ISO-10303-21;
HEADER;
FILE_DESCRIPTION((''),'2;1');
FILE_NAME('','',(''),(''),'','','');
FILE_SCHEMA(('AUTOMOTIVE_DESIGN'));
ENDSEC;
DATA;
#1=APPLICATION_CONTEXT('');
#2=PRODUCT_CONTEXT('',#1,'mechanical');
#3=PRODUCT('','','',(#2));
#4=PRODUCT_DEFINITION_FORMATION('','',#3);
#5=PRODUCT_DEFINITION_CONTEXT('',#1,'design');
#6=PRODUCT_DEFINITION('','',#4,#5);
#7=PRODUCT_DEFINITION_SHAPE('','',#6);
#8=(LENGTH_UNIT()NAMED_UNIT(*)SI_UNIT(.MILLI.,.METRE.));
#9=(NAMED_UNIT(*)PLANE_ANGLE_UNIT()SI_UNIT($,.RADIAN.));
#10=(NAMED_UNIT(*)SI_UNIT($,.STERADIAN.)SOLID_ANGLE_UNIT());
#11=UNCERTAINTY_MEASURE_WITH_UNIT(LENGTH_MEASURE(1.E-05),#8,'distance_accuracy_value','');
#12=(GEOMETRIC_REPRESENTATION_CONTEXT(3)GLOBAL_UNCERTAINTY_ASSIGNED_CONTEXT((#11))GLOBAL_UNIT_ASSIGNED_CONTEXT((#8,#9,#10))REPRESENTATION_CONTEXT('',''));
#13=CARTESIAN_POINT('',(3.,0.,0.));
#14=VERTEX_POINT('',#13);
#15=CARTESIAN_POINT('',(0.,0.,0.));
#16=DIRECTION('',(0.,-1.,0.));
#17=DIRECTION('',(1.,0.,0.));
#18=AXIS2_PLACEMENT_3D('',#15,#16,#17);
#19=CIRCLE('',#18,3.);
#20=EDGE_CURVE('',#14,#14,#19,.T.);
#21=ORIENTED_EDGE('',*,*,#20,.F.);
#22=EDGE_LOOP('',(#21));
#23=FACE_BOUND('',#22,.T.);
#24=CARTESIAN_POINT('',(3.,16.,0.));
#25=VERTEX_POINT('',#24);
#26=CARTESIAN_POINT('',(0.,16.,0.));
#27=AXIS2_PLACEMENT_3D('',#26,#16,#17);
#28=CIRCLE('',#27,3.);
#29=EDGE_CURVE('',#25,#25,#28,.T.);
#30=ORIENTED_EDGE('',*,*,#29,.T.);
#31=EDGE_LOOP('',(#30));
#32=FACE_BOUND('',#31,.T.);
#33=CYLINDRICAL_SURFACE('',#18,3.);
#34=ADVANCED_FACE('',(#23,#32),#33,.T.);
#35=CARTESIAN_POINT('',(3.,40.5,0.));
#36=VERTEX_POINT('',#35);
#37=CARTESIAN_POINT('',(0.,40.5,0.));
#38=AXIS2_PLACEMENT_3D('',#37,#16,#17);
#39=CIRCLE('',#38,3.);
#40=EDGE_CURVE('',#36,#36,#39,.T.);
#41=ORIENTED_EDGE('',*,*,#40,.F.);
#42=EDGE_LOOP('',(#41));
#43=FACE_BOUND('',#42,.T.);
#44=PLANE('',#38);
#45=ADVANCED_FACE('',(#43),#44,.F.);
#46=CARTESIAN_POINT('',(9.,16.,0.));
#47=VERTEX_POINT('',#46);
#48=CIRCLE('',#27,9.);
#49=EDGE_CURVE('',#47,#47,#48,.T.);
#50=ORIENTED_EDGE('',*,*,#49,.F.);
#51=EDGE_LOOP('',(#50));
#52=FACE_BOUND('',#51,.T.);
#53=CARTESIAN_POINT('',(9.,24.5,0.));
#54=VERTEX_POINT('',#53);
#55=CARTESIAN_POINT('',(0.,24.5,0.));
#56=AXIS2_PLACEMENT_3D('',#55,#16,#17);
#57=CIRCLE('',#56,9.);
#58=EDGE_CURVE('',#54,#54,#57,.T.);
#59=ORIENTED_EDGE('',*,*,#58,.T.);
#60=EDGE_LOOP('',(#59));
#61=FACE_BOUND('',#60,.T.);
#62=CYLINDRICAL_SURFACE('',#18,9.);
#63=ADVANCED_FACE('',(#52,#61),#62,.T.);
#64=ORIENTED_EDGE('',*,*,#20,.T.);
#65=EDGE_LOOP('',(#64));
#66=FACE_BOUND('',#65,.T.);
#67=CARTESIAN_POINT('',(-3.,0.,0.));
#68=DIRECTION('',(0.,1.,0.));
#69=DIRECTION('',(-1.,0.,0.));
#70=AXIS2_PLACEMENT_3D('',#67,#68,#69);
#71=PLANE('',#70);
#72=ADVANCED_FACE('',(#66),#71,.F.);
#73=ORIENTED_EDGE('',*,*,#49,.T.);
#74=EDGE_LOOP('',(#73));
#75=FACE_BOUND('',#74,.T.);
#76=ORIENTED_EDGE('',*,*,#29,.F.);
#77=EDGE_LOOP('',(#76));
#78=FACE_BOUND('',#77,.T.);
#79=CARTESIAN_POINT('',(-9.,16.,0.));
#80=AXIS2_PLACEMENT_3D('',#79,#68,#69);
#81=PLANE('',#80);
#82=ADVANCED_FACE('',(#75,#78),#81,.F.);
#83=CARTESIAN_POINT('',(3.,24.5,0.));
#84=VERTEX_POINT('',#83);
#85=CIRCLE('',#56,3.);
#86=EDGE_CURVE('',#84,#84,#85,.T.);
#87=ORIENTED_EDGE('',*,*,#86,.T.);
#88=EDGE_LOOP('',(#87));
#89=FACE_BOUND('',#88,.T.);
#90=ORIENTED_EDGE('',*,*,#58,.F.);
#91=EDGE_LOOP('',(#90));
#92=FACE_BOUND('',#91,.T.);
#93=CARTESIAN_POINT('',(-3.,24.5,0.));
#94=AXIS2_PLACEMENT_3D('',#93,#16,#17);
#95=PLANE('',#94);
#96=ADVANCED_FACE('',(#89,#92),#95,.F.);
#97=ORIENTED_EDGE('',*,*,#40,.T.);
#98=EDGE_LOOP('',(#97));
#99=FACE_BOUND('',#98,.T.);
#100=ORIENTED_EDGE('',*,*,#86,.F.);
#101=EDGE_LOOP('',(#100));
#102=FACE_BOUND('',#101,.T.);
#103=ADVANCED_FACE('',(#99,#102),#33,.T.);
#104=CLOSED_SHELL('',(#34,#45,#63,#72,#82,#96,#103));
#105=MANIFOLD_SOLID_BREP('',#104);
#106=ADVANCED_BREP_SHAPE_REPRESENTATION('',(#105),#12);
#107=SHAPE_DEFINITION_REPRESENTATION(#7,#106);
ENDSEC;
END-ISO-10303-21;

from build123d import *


with BuildPart() as part:
    # Sketch1 → Revolve1 (revolve)
    with BuildSketch(Plane.XY, mode=Mode.PRIVATE) as revolve1_sk:
        Polygon((0, 40.5), (-3, 40.5), (-3, 24.5), (-9, 24.5), (-9, 16), (-3, 16), (-3, 0), (0, 0), align=None)
    revolve(revolve1_sk.sketch.rotate(Axis((0, 0, 0), (0, 1, 0)), 180), axis=Axis((0, 0, 0), (0, 1, 0)))


solid = part.part
